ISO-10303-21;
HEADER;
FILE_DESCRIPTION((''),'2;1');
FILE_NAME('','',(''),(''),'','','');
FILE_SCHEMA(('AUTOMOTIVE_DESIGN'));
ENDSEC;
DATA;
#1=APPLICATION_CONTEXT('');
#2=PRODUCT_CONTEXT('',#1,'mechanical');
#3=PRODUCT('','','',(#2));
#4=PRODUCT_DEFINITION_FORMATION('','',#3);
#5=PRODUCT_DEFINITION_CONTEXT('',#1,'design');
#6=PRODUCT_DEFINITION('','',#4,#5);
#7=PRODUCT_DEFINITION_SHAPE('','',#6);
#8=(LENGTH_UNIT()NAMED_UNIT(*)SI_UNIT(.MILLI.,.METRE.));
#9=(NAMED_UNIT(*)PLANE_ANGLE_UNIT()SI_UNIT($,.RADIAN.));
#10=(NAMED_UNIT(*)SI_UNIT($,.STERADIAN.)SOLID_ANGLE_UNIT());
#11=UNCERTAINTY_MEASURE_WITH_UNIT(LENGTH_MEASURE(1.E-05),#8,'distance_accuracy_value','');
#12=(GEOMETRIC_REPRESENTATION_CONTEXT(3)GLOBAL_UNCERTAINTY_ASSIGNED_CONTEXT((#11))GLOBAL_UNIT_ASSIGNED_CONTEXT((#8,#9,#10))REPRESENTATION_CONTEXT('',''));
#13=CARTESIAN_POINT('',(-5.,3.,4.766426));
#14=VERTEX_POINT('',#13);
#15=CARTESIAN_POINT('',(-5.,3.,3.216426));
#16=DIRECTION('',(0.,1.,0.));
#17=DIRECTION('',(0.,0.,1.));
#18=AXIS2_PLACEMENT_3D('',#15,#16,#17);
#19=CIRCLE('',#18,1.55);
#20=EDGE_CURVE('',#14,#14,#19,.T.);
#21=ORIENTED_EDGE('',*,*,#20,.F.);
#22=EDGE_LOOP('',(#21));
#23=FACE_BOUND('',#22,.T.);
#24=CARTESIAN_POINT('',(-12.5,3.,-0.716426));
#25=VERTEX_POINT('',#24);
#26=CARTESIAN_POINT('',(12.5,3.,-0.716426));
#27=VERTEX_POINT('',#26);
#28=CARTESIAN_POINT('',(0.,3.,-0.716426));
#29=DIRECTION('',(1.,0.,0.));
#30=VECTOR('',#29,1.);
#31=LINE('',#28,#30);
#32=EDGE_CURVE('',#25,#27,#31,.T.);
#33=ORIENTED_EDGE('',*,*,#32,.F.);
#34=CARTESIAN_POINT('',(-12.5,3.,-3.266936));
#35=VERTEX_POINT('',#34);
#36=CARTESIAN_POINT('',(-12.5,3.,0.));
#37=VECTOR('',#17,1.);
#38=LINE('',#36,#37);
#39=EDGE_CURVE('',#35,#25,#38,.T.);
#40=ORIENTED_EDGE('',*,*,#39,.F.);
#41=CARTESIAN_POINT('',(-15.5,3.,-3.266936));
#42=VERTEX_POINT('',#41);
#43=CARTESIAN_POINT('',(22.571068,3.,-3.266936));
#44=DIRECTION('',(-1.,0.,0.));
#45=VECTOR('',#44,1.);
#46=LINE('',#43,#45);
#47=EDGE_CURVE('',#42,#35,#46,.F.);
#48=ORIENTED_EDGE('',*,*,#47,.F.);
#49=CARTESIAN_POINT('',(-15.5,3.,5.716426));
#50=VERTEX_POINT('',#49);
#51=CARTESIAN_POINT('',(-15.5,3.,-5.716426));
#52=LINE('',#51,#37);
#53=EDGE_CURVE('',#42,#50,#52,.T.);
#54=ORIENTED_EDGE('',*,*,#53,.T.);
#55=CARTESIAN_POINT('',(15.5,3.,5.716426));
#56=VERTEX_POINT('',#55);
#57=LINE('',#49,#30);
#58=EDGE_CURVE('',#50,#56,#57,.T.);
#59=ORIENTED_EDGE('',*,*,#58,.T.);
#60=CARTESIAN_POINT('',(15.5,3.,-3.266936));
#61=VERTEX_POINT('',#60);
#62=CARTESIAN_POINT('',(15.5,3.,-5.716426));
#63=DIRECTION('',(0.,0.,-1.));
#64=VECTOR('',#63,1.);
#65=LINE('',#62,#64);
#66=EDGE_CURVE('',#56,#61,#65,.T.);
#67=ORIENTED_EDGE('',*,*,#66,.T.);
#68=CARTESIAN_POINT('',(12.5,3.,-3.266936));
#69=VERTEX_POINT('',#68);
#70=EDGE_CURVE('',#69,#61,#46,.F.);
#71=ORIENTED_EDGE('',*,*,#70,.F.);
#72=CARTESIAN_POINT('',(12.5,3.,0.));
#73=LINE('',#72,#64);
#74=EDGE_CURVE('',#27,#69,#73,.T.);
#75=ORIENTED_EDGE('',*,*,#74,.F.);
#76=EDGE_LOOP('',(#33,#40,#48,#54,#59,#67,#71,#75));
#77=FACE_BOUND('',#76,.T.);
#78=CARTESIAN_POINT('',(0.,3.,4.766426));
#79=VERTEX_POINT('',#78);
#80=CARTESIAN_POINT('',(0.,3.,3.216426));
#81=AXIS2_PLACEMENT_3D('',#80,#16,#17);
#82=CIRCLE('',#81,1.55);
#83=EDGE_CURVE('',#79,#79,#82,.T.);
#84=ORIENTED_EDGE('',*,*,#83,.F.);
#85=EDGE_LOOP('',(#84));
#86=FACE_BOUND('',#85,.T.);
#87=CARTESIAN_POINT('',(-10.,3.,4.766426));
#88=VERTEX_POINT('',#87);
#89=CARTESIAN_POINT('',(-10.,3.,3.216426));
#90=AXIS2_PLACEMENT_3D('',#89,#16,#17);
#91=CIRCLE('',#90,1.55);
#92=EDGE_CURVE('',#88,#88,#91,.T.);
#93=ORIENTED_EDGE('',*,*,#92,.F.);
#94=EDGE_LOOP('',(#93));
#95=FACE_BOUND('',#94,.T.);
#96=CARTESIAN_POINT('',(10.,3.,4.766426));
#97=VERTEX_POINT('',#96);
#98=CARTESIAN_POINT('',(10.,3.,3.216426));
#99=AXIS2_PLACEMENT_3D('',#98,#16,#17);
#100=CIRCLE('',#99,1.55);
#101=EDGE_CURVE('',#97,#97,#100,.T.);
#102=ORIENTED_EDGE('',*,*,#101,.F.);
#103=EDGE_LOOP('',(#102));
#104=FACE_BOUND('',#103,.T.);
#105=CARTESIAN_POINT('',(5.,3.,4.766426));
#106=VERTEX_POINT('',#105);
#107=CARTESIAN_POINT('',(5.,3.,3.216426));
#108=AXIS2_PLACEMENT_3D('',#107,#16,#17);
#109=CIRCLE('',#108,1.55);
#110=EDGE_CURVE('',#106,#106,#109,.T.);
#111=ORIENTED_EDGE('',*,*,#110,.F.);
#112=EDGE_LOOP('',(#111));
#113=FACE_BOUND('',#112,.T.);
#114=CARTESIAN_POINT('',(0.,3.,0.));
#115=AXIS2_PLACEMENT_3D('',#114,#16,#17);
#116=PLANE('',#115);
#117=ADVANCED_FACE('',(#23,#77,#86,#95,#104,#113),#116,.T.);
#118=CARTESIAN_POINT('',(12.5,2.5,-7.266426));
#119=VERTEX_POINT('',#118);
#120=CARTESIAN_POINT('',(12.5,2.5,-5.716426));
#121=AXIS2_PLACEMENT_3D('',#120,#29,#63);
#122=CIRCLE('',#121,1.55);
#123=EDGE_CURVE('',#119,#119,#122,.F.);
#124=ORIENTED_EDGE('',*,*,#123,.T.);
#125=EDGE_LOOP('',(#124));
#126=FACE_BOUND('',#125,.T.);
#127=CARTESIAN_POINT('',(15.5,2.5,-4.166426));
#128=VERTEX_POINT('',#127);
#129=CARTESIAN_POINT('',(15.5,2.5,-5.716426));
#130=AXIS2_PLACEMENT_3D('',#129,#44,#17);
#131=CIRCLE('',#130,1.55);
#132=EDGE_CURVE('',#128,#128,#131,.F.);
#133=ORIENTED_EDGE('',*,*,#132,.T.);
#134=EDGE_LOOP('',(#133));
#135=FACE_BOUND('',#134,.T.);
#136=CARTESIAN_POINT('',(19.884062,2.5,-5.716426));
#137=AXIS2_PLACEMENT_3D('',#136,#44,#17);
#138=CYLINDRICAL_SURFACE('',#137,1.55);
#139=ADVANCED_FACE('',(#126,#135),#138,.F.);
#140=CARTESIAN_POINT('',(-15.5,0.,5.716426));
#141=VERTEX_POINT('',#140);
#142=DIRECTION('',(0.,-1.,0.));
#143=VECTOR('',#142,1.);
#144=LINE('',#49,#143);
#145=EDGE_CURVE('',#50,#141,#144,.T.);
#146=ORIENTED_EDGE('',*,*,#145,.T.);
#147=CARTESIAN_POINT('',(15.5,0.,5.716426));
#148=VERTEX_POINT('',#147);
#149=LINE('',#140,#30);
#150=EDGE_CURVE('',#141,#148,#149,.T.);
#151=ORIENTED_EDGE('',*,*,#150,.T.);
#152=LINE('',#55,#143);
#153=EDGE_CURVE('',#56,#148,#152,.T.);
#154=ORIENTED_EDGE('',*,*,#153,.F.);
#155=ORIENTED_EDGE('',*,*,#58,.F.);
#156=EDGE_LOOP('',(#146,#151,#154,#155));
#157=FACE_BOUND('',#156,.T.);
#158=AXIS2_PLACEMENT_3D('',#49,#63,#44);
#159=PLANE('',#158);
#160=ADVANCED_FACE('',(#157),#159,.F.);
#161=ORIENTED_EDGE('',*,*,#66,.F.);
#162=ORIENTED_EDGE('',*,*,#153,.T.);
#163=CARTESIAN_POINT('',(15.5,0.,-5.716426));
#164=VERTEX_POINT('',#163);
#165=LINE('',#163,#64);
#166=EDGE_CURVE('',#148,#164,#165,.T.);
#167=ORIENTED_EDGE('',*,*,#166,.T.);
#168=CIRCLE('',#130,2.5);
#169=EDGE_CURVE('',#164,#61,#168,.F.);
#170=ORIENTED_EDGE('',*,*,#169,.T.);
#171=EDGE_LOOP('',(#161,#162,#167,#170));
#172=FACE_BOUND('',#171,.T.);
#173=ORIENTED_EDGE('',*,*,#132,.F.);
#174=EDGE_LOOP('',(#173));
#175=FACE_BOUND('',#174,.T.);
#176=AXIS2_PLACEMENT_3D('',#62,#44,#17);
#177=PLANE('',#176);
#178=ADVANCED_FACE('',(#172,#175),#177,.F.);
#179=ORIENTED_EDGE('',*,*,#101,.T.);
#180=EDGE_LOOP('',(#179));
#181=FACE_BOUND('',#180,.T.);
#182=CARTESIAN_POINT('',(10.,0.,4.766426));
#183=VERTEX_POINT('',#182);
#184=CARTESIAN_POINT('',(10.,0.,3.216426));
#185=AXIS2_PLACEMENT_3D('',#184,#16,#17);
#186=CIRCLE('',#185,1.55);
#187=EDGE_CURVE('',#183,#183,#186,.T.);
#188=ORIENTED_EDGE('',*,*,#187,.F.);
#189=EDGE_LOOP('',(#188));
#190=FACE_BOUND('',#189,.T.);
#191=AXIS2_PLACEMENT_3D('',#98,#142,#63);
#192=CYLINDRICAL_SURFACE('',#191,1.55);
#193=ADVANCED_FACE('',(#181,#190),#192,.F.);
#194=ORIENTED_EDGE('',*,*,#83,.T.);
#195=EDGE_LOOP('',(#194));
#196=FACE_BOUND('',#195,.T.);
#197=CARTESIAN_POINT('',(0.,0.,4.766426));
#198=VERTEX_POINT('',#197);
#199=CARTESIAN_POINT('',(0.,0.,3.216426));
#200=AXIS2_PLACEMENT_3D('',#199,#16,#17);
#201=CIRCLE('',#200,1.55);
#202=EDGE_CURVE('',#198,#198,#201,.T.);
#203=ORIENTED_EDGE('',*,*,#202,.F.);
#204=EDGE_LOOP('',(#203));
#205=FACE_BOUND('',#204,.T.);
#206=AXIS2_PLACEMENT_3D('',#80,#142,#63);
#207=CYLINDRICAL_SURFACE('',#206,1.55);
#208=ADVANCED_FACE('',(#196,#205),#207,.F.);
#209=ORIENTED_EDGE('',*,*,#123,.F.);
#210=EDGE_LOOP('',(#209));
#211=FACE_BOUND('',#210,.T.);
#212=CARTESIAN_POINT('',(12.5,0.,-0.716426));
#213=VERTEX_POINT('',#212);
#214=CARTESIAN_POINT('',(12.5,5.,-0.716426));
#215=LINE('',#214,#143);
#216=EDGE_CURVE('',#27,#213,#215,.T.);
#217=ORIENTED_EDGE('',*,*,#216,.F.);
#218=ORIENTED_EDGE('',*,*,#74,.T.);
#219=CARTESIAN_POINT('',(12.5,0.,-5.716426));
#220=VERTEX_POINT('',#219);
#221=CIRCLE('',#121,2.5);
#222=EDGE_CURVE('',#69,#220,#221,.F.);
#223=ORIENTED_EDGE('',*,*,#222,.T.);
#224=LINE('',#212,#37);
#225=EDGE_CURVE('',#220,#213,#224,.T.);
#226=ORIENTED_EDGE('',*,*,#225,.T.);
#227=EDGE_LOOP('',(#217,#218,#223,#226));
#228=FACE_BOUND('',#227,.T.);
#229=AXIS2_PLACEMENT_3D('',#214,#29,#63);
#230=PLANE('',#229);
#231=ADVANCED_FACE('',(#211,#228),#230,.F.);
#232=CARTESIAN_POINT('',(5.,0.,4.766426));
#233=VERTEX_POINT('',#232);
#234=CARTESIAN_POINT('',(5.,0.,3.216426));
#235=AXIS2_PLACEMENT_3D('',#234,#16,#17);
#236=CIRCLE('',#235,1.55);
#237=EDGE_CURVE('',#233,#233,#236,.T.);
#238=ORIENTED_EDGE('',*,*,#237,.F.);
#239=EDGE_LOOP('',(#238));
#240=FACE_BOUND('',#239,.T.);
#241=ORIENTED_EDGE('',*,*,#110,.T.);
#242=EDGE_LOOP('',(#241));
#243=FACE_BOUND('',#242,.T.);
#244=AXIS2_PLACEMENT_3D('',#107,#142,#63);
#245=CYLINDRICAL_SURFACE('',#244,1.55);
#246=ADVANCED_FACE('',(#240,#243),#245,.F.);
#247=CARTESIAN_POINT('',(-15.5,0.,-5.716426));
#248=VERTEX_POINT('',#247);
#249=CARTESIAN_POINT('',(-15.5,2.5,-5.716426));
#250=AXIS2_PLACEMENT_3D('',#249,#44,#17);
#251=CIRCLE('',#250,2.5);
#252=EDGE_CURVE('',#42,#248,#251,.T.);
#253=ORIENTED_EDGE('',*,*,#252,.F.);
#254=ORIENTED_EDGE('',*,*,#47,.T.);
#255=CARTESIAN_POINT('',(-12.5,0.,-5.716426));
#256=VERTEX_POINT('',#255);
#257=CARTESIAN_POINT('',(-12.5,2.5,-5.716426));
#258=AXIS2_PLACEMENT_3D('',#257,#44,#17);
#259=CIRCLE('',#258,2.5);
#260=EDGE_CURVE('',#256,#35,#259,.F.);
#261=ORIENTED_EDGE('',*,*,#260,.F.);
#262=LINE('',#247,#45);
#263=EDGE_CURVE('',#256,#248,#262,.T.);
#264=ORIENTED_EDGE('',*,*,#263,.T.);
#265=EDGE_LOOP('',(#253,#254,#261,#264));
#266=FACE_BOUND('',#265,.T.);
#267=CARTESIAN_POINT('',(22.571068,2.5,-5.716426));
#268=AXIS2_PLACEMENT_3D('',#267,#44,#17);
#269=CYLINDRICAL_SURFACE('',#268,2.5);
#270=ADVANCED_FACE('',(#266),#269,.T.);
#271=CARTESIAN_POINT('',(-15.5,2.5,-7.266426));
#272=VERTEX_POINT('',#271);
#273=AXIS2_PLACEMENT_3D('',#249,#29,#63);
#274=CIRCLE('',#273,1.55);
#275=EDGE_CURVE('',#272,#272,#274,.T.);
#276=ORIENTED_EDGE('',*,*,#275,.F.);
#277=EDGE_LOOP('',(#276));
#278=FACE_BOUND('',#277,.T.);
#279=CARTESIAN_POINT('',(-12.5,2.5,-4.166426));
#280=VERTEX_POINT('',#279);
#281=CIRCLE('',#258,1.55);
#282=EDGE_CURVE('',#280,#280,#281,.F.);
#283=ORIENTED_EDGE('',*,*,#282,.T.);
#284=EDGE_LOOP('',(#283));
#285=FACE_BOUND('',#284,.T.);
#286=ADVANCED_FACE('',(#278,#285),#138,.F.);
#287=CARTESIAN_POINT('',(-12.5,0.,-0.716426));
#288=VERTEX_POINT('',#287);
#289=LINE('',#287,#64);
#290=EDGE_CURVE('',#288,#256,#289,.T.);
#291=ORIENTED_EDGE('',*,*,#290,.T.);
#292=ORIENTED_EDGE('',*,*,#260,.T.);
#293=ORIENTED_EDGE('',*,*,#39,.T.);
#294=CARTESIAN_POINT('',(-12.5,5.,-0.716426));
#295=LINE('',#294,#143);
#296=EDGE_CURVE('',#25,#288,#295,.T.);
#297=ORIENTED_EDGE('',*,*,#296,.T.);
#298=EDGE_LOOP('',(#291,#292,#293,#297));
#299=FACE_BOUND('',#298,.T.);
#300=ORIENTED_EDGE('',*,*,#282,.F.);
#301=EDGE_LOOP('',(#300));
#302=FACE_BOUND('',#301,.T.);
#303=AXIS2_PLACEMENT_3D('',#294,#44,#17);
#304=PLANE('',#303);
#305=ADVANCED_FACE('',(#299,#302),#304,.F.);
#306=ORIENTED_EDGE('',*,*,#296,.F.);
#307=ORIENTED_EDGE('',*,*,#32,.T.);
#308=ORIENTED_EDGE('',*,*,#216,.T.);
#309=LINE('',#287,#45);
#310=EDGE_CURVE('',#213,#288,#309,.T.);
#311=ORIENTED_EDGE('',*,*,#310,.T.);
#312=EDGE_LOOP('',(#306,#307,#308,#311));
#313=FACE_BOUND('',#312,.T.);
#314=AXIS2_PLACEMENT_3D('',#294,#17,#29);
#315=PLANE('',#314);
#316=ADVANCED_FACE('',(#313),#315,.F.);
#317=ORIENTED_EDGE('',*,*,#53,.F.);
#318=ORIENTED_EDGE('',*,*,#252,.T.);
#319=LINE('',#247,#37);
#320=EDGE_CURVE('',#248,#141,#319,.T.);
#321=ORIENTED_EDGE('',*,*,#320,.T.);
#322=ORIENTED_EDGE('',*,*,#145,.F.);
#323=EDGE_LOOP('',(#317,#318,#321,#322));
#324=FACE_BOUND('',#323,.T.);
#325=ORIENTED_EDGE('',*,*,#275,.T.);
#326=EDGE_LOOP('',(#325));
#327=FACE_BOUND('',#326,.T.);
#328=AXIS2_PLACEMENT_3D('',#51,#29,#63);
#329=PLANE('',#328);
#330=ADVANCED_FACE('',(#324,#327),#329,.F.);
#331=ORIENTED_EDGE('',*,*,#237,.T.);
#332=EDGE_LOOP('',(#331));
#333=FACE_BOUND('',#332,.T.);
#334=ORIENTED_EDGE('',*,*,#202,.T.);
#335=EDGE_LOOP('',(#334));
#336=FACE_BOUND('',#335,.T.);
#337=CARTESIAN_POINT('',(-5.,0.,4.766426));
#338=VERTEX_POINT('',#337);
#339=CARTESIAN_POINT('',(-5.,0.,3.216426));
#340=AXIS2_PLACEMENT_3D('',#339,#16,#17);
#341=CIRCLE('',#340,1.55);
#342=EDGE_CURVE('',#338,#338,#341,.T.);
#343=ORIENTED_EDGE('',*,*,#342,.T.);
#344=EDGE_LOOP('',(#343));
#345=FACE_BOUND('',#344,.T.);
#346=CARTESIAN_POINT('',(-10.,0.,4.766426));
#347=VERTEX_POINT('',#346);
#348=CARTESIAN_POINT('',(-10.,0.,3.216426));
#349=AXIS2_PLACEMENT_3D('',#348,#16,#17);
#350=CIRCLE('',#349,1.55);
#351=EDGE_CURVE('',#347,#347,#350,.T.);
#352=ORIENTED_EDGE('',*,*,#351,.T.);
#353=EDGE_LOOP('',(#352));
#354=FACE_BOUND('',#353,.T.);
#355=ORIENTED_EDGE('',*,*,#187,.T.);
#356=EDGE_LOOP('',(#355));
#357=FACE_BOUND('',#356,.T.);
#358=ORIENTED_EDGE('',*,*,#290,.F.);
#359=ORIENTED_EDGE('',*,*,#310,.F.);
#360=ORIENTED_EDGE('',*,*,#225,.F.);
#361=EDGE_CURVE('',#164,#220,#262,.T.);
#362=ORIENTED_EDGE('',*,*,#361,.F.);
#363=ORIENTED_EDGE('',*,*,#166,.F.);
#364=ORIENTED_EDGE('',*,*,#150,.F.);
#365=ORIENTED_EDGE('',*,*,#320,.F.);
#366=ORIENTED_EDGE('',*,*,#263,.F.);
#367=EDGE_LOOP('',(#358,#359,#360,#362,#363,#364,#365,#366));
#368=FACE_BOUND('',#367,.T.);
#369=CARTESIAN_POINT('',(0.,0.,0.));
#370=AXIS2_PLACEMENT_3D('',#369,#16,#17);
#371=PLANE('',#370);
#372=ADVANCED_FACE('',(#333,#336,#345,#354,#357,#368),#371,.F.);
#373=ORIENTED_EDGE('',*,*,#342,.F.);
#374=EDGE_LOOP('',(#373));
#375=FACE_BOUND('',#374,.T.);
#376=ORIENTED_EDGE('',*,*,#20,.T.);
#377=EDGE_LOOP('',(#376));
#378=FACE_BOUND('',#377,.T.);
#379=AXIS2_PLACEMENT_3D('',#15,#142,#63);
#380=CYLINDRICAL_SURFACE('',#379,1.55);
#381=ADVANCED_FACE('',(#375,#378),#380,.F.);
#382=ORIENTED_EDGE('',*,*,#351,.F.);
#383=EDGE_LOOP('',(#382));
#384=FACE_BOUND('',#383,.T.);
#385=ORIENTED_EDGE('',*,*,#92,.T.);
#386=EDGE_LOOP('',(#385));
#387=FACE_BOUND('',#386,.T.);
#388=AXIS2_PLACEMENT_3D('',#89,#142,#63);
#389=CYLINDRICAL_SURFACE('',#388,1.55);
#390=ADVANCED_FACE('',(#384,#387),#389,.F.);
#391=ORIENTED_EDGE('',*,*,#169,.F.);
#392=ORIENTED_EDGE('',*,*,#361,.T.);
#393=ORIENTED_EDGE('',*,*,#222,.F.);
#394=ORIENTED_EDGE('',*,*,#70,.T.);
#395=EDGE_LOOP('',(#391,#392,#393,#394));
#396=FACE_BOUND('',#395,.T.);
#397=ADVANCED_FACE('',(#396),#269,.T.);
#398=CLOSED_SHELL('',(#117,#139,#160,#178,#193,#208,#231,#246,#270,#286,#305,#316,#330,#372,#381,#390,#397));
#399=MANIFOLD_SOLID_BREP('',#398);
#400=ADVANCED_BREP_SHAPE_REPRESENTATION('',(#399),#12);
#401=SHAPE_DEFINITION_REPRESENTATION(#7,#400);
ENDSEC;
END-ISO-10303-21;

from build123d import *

# Parameters (mm, degrees)
SKETCH1_W           = 31
SKETCH1_H           = 11.43285124
SKETCH1_R           = 1.55
BOSS_EXTRUDE1_DEPTH = 3
SKETCH2_R           = 1.55
CUT_EXTRUDE1_DEPTH  = 31
SKETCH2_3_R         = 2.5
SKETCH2_3_R_2       = 1.55
BOSS_EXTRUDE2_DEPTH = 31
SKETCH3_W           = 25
SKETCH3_H           = 7.5
CUT_EXTRUDE2_DEPTH  = 19.241700852


with BuildPart() as part:
    # Sketch1 → Boss-Extrude1 (new body)
    with BuildSketch(Plane(origin=(0, 0, 0), x_dir=(1, 0, 0), z_dir=(0, 1, 0))):
        Rectangle(SKETCH1_W, SKETCH1_H)
        with Locations(Location((0, -3.21642562, 0), (0, 0, 270))):
            Circle(SKETCH1_R, mode=Mode.SUBTRACT)
        with Locations(Location((5, -3.21642562, 0), (0, 0, 270))):
            Circle(SKETCH1_R, mode=Mode.SUBTRACT)
        with Locations(Location((10, -3.21642562, 0), (0, 0, 270))):
            Circle(SKETCH1_R, mode=Mode.SUBTRACT)
        with Locations(Location((-5, -3.21642562, 0), (0, 0, 270))):
            Circle(SKETCH1_R, mode=Mode.SUBTRACT)
        with Locations(Location((-10, -3.21642562, 0), (0, 0, 270))):
            Circle(SKETCH1_R, mode=Mode.SUBTRACT)
    extrude(amount=BOSS_EXTRUDE1_DEPTH)

    # Sketch2 → Cut-Extrude1 (cut)
    with BuildSketch(Plane.ZY.offset(15.5)):
        with Locations((-5.71642562, 2.5)):
            Circle(SKETCH2_R)
    extrude(amount=-CUT_EXTRUDE1_DEPTH, mode=Mode.SUBTRACT)

    # Sketch2<3> → Boss-Extrude2 (add)
    with BuildSketch(Plane.ZY.offset(15.5)):
        with Locations((-5.71642562, 2.5)):
            Circle(SKETCH2_3_R)
        with Locations((-5.71642562, 2.5)):
            Circle(SKETCH2_3_R_2, mode=Mode.SUBTRACT)
    extrude(amount=-BOSS_EXTRUDE2_DEPTH)

    # Sketch3 → Cut-Extrude2 (cut, through all)
    with BuildSketch(Plane.XZ):
        with Locations((0, -4.46642562)):
            Rectangle(SKETCH3_W, SKETCH3_H)
    extrude(amount=-CUT_EXTRUDE2_DEPTH, mode=Mode.SUBTRACT)


solid = part.part
